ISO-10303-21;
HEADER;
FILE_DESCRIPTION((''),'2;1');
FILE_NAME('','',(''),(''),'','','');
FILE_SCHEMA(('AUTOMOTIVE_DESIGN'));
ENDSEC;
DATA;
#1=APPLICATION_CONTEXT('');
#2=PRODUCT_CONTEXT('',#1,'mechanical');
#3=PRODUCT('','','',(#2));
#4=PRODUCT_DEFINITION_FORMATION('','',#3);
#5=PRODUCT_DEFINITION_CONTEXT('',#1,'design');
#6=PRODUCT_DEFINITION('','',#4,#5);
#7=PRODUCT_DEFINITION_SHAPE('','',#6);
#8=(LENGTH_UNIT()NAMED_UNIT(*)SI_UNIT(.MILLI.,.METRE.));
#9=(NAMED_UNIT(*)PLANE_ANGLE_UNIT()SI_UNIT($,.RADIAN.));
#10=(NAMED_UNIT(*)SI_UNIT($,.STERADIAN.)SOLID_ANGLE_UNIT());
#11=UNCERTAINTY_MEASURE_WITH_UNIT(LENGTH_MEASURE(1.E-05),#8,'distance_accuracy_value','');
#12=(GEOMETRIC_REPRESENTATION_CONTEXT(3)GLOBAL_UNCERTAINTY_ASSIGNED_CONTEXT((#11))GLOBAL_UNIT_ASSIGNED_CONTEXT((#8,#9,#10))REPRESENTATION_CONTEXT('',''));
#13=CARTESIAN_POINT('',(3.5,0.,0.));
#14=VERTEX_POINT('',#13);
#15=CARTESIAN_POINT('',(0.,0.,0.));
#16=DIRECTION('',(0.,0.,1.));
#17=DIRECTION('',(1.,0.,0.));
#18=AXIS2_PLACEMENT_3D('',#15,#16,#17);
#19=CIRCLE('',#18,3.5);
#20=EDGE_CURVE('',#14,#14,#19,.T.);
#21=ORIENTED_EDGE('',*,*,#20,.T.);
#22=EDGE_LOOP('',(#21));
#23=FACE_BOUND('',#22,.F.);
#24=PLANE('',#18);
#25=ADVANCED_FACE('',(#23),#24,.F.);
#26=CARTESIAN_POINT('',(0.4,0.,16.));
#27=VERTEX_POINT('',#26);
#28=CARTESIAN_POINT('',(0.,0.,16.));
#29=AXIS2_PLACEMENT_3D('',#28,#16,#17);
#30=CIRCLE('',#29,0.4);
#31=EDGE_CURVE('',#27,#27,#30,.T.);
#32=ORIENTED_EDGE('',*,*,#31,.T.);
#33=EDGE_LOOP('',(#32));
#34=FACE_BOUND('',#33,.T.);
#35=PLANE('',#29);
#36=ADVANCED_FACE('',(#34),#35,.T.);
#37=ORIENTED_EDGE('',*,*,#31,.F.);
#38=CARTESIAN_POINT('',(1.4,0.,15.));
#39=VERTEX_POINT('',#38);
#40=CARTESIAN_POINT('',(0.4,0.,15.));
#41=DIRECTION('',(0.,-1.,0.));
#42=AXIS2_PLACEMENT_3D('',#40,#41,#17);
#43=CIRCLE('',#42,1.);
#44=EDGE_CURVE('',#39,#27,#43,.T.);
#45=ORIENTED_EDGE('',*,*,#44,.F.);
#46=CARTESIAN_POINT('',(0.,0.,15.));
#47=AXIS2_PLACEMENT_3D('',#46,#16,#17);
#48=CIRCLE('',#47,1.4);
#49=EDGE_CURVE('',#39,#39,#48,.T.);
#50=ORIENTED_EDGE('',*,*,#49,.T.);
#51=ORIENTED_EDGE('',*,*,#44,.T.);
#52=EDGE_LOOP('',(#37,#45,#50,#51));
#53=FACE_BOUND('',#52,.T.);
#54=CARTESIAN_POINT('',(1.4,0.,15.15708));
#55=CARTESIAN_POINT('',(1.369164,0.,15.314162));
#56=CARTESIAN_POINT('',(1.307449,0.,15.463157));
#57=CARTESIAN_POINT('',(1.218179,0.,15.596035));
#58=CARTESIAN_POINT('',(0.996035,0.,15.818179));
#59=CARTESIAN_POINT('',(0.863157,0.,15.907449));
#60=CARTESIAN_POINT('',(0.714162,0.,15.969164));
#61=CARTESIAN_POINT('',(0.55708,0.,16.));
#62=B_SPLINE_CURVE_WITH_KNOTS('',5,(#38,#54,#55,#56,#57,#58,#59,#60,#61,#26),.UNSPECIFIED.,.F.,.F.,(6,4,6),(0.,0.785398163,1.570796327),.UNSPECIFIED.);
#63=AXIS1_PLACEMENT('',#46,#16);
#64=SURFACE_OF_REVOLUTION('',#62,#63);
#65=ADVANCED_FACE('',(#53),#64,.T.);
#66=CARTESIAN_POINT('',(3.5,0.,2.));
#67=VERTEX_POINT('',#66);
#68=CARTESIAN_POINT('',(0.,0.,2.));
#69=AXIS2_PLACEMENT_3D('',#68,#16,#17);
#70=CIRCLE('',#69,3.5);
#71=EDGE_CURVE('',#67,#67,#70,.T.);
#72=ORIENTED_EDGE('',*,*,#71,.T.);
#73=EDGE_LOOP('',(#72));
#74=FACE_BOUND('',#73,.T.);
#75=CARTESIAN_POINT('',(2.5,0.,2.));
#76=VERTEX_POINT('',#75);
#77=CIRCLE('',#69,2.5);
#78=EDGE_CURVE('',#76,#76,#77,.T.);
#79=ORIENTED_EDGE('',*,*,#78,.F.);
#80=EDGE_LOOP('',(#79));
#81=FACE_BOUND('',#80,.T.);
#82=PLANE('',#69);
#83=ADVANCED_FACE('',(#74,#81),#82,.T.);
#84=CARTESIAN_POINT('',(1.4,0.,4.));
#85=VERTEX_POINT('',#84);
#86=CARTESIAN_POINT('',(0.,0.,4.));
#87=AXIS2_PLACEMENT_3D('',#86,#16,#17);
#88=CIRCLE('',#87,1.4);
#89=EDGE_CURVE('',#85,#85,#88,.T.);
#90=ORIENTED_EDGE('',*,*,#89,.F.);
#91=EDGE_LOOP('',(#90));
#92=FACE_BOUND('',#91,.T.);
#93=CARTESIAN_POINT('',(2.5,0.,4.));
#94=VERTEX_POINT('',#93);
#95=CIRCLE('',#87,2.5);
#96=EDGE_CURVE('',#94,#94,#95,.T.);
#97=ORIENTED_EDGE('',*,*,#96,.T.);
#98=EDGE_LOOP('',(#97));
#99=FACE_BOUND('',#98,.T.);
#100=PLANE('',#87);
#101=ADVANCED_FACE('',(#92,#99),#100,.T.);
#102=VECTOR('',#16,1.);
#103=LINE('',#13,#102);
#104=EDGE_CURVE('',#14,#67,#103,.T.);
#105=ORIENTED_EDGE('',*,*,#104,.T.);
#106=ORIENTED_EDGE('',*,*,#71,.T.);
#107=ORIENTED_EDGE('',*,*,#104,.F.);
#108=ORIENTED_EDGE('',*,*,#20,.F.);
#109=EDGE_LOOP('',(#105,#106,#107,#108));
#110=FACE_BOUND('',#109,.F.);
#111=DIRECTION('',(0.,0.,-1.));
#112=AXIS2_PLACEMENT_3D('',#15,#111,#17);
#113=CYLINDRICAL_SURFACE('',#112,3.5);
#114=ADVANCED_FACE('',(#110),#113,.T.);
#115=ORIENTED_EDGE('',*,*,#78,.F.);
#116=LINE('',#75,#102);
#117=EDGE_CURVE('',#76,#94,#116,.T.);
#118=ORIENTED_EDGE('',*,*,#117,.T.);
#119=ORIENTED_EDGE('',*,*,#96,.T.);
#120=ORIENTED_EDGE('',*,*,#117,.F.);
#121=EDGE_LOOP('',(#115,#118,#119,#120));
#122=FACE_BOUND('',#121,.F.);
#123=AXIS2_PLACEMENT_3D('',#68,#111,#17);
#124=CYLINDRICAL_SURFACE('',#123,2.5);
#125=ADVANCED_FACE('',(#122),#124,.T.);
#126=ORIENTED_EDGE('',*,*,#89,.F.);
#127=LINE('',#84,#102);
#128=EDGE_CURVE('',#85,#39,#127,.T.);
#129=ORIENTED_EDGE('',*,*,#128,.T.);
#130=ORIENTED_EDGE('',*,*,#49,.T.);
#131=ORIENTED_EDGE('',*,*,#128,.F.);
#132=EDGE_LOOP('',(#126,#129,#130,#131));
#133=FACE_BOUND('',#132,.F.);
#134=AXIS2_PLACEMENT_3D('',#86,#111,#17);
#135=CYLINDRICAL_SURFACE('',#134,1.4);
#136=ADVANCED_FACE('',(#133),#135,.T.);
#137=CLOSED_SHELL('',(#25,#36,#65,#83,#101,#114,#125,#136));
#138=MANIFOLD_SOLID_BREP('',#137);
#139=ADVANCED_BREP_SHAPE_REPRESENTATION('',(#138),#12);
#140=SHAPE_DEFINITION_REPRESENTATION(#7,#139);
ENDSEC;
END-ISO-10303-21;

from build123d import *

# Parameters (mm, degrees)
F0_R     = 3.5
F1_DEPTH = 2
F2_R     = 2.5
F3_DEPTH = 2
F4_R     = 1.4
F5_DEPTH = 12
F6_R     = 1


with BuildPart() as f1:
    # F0 (on Top) → F1 (new body)
    with BuildSketch(Plane.XY):
        Circle(F0_R)
    extrude(amount=F1_DEPTH)

    # F2 (on face) → F3 (join)
    with BuildSketch(Plane.XY.offset(2)):
        Circle(F2_R)
    extrude(amount=F3_DEPTH)

    # F4 (on face) → F5 (join)
    with BuildSketch(Plane.XY.offset(4)):
        Circle(F4_R)
    extrude(amount=F5_DEPTH)

    # F6
    f6_edges = [f1.edges().sort_by_distance(p)[0] for p in [
        (-1.4, 0, 16),
    ]]
    fillet(f6_edges, radius=F6_R)


solid = f1.part
